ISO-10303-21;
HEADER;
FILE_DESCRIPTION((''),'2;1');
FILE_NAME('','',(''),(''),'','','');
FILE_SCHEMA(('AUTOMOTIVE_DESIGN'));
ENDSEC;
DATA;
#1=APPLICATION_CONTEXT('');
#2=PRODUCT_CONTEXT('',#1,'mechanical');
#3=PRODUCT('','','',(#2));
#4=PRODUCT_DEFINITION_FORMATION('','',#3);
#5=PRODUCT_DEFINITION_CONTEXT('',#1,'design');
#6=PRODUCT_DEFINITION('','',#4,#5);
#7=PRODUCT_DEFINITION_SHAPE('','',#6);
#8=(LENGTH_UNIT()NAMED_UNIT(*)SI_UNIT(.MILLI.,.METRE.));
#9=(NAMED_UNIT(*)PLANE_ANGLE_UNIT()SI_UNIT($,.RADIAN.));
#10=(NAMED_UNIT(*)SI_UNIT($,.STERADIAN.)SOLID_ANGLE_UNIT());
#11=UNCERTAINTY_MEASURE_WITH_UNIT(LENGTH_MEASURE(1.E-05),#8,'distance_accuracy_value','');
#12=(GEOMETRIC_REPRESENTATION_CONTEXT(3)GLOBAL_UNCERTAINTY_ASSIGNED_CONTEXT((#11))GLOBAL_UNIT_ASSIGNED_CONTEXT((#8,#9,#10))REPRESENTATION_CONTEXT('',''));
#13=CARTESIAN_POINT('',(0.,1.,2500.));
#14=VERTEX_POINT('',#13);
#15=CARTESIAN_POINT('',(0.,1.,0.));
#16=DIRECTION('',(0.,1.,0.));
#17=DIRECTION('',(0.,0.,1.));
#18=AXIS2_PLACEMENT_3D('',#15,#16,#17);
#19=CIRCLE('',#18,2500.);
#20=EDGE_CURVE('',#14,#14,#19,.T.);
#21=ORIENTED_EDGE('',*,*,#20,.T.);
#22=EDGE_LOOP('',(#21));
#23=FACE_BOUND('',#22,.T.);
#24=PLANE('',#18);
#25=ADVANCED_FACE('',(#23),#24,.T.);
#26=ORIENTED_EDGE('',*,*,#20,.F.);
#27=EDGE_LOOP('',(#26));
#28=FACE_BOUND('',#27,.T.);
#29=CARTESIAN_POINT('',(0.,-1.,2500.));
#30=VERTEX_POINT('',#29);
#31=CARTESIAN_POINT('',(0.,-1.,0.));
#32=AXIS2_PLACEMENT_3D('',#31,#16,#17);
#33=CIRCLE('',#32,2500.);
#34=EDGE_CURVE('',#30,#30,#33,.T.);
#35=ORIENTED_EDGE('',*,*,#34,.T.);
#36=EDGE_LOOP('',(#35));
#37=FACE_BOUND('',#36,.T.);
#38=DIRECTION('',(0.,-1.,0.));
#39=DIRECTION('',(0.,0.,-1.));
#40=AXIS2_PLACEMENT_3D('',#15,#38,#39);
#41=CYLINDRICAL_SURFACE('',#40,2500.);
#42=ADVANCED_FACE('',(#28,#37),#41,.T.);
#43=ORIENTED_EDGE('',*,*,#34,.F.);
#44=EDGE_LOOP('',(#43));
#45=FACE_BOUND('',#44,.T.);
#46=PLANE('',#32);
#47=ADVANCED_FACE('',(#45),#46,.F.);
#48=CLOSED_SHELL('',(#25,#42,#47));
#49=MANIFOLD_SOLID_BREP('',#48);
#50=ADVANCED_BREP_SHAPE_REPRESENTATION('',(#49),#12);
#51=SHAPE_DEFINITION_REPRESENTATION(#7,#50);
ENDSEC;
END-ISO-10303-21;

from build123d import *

# Parameters (mm, degrees)
SKETCH1_R           = 2500
BOSS_EXTRUDE1_DEPTH = 1


with BuildPart() as part:
    # Sketch1 → Boss-Extrude1 (new, symmetric)
    with BuildSketch(Plane(origin=(0, 0, 0), x_dir=(1, 0, 0), z_dir=(0, 1, 0))):
        with Locations(Location((0, 0, 0), (0, 0, 270))):
            Circle(SKETCH1_R)
    extrude(amount=BOSS_EXTRUDE1_DEPTH, both=True)


solid = part.part
